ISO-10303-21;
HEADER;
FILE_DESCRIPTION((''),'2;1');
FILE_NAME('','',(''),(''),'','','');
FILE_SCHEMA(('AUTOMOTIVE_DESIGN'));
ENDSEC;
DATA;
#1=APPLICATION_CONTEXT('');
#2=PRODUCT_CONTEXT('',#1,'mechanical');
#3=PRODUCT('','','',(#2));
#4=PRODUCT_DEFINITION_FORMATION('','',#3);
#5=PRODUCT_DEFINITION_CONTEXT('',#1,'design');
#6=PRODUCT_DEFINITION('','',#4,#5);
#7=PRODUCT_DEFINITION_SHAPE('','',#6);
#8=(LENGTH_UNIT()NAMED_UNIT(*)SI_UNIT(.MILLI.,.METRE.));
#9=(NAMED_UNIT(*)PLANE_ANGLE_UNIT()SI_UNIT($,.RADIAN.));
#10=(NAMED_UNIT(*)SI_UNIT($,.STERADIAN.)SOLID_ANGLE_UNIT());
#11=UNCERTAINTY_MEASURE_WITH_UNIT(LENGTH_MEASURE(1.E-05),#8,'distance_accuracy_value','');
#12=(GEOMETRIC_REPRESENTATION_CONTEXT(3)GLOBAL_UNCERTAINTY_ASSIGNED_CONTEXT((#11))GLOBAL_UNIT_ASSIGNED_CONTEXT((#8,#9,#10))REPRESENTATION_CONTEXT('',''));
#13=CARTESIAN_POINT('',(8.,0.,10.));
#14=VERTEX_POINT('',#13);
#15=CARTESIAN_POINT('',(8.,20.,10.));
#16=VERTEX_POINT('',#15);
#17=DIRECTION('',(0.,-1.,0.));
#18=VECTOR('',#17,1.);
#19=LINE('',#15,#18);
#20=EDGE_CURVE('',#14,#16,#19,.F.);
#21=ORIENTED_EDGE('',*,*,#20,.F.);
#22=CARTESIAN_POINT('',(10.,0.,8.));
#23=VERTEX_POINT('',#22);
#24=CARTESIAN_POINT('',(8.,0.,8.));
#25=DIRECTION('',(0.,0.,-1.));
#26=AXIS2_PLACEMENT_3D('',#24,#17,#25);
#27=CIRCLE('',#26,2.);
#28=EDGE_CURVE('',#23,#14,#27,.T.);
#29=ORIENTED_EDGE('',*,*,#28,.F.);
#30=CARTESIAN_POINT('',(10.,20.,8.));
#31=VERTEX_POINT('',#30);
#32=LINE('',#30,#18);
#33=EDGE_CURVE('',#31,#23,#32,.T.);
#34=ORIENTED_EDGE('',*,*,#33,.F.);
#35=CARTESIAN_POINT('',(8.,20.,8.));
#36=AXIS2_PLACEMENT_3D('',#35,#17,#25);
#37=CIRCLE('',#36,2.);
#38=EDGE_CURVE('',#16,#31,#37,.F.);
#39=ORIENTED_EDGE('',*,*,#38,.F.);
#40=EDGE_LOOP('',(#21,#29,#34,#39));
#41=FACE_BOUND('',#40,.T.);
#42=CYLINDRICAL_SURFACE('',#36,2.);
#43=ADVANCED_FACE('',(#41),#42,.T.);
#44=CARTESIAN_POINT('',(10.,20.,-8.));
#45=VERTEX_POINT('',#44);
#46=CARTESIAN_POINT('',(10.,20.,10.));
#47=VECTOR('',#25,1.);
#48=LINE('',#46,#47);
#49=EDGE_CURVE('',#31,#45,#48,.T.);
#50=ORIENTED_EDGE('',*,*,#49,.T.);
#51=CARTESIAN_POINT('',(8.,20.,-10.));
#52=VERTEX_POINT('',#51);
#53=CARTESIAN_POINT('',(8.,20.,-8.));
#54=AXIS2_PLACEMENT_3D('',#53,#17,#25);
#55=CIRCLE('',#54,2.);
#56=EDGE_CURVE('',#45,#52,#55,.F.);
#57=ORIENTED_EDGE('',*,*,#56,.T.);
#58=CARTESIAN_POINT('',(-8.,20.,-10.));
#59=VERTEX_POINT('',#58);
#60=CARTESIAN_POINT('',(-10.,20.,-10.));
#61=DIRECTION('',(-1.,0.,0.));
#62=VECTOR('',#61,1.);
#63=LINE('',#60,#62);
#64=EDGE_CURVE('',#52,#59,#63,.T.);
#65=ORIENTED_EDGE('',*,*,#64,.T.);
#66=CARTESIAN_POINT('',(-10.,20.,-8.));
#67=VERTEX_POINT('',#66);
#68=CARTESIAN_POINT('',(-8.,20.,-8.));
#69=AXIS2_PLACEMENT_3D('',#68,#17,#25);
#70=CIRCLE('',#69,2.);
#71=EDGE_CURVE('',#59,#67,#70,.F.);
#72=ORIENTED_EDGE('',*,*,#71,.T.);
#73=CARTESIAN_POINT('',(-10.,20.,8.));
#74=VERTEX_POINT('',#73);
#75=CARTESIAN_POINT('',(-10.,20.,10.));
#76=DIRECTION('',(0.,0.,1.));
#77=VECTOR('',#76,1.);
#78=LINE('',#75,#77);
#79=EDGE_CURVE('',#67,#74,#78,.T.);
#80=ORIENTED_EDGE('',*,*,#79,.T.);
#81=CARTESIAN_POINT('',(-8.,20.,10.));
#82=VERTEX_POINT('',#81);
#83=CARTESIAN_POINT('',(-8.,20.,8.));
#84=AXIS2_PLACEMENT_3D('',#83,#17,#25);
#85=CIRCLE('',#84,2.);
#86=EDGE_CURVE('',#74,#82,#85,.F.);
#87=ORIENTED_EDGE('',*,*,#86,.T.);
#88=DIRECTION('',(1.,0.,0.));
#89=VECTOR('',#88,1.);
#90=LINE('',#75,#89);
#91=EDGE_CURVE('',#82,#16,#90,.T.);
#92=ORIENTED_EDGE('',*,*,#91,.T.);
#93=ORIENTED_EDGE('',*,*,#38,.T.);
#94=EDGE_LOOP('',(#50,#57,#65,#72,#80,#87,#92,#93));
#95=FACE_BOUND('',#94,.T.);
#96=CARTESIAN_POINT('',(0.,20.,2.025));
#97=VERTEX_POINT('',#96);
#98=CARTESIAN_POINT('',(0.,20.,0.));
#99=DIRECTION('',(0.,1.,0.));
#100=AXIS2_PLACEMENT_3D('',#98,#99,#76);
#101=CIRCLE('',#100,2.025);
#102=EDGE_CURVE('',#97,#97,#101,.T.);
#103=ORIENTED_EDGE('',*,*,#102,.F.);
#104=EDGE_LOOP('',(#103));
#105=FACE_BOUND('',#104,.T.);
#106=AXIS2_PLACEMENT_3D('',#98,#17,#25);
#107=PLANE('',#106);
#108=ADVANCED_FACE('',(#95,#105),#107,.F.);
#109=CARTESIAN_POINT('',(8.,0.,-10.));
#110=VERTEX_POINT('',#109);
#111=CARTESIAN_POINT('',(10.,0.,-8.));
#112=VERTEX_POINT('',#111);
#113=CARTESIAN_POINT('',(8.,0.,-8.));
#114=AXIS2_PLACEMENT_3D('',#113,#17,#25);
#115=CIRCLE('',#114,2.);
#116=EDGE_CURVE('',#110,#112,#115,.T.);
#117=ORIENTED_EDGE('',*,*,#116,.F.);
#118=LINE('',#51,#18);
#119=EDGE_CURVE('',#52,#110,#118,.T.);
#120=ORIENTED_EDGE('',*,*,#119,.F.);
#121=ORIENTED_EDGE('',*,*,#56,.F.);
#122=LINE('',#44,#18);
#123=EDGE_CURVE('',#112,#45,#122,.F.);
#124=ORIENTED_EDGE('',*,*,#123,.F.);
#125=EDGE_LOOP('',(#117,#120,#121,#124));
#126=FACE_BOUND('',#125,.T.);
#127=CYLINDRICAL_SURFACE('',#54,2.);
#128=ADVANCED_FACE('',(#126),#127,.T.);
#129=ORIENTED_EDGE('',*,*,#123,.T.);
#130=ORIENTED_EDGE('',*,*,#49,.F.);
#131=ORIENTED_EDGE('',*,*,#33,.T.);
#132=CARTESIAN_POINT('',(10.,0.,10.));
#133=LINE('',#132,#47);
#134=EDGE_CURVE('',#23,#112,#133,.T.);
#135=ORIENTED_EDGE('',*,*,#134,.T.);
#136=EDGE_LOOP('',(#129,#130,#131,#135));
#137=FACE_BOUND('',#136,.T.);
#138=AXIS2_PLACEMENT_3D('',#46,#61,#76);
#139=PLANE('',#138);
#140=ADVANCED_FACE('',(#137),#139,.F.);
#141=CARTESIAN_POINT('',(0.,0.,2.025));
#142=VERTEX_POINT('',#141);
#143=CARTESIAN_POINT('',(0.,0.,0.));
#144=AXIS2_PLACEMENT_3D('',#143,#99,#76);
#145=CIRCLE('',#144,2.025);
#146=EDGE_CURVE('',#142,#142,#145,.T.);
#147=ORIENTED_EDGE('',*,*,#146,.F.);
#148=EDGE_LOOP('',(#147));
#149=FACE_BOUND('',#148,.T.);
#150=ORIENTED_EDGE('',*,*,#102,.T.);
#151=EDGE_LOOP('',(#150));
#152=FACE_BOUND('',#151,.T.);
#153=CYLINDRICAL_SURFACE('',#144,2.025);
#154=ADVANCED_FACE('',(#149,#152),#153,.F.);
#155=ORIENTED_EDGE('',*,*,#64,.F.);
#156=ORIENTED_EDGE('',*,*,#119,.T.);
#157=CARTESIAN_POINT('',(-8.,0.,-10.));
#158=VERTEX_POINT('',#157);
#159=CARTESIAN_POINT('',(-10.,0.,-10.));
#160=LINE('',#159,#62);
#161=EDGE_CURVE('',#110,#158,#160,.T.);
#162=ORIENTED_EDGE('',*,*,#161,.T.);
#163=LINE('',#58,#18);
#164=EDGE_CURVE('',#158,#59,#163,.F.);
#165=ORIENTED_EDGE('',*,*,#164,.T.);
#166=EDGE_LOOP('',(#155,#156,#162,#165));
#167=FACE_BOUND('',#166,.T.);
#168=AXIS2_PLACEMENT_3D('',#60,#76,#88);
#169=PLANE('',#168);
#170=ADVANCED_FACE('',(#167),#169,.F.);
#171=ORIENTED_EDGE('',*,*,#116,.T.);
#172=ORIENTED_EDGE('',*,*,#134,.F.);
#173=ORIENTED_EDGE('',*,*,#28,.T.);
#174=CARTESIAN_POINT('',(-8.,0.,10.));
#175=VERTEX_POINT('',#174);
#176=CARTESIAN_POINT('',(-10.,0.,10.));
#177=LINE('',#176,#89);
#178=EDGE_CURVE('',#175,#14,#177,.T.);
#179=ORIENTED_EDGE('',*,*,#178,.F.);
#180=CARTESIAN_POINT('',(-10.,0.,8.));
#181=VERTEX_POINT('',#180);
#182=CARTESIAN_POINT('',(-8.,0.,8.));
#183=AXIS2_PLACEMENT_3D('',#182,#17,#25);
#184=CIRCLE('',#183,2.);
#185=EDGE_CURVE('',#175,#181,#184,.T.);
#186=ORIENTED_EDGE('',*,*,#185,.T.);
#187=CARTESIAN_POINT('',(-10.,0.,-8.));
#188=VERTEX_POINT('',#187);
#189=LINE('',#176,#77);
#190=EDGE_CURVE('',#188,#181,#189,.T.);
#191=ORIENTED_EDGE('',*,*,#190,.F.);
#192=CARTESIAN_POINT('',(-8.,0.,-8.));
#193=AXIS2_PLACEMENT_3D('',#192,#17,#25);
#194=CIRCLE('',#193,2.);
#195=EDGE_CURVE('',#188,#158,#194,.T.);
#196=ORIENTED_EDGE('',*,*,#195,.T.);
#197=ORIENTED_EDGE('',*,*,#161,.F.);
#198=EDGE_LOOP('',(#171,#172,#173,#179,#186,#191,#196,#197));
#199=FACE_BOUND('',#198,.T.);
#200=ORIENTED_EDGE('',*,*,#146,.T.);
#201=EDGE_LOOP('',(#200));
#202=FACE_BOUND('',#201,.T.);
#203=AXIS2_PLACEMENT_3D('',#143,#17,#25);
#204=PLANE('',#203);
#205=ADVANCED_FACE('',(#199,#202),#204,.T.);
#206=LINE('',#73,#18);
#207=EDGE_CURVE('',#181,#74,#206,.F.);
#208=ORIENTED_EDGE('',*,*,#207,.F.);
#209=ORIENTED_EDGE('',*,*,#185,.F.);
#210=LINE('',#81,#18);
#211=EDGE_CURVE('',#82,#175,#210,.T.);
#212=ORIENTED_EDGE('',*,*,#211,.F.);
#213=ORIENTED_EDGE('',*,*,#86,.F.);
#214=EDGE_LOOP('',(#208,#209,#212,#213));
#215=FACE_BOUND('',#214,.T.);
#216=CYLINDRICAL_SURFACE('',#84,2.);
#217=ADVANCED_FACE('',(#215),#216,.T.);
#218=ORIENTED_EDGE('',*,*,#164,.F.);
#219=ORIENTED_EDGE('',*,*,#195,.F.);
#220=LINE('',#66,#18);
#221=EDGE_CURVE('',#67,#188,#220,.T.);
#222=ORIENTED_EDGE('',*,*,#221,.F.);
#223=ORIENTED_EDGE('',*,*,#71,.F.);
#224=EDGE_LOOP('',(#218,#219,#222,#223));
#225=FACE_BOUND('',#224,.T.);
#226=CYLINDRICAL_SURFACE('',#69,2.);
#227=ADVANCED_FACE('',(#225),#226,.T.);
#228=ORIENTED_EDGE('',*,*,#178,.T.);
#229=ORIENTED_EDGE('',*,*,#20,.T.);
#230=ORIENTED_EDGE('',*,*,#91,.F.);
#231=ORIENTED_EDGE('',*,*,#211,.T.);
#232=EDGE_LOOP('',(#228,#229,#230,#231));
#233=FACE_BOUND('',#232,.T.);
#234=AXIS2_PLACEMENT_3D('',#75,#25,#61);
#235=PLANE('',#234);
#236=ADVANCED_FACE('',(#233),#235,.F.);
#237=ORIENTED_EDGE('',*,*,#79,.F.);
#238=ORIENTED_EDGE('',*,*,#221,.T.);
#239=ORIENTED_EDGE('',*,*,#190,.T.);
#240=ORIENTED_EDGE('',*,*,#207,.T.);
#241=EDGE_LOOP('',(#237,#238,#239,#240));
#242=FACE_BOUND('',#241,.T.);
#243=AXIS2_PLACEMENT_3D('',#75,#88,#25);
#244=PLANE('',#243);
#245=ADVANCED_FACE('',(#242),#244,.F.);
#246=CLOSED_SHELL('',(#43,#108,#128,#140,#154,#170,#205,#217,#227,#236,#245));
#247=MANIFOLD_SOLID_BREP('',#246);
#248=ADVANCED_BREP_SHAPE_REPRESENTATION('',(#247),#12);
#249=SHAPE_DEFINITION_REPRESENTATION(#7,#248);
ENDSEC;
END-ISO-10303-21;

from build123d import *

# Parameters (mm, degrees)
SKETCH_1_W          = 20
SKETCH_1_H          = 20
EXTRUDE_1_DEPTH     = 20
SKETCH_2_R          = 2.025
CUT_EXTRUDE_1_DEPTH = 20
FILLET_1_R          = 2


with BuildPart() as part:
    # 草图1 → 凸台-拉伸1 (new body)
    with BuildSketch(Plane(origin=(0, 0, 0), x_dir=(1, 0, 0), z_dir=(0, 1, 0))):
        Rectangle(SKETCH_1_W, SKETCH_1_H)
    extrude(amount=EXTRUDE_1_DEPTH)

    # 草图2 → 切除-拉伸1 (cut)
    with BuildSketch(Plane(origin=(0, 20, 0), x_dir=(1, 0, 0), z_dir=(0, 1, 0))):
        Circle(SKETCH_2_R)
    extrude(amount=-CUT_EXTRUDE_1_DEPTH, mode=Mode.SUBTRACT)

    # 圆角1
    fillet_1_edges = [part.edges().sort_by_distance(p)[0] for p in [
        (10, 10, 10),
        (-10, 10, 10),
        (-10, 10, -10),
        (10, 10, -10),
    ]]
    fillet(fillet_1_edges, radius=FILLET_1_R)


solid = part.part
